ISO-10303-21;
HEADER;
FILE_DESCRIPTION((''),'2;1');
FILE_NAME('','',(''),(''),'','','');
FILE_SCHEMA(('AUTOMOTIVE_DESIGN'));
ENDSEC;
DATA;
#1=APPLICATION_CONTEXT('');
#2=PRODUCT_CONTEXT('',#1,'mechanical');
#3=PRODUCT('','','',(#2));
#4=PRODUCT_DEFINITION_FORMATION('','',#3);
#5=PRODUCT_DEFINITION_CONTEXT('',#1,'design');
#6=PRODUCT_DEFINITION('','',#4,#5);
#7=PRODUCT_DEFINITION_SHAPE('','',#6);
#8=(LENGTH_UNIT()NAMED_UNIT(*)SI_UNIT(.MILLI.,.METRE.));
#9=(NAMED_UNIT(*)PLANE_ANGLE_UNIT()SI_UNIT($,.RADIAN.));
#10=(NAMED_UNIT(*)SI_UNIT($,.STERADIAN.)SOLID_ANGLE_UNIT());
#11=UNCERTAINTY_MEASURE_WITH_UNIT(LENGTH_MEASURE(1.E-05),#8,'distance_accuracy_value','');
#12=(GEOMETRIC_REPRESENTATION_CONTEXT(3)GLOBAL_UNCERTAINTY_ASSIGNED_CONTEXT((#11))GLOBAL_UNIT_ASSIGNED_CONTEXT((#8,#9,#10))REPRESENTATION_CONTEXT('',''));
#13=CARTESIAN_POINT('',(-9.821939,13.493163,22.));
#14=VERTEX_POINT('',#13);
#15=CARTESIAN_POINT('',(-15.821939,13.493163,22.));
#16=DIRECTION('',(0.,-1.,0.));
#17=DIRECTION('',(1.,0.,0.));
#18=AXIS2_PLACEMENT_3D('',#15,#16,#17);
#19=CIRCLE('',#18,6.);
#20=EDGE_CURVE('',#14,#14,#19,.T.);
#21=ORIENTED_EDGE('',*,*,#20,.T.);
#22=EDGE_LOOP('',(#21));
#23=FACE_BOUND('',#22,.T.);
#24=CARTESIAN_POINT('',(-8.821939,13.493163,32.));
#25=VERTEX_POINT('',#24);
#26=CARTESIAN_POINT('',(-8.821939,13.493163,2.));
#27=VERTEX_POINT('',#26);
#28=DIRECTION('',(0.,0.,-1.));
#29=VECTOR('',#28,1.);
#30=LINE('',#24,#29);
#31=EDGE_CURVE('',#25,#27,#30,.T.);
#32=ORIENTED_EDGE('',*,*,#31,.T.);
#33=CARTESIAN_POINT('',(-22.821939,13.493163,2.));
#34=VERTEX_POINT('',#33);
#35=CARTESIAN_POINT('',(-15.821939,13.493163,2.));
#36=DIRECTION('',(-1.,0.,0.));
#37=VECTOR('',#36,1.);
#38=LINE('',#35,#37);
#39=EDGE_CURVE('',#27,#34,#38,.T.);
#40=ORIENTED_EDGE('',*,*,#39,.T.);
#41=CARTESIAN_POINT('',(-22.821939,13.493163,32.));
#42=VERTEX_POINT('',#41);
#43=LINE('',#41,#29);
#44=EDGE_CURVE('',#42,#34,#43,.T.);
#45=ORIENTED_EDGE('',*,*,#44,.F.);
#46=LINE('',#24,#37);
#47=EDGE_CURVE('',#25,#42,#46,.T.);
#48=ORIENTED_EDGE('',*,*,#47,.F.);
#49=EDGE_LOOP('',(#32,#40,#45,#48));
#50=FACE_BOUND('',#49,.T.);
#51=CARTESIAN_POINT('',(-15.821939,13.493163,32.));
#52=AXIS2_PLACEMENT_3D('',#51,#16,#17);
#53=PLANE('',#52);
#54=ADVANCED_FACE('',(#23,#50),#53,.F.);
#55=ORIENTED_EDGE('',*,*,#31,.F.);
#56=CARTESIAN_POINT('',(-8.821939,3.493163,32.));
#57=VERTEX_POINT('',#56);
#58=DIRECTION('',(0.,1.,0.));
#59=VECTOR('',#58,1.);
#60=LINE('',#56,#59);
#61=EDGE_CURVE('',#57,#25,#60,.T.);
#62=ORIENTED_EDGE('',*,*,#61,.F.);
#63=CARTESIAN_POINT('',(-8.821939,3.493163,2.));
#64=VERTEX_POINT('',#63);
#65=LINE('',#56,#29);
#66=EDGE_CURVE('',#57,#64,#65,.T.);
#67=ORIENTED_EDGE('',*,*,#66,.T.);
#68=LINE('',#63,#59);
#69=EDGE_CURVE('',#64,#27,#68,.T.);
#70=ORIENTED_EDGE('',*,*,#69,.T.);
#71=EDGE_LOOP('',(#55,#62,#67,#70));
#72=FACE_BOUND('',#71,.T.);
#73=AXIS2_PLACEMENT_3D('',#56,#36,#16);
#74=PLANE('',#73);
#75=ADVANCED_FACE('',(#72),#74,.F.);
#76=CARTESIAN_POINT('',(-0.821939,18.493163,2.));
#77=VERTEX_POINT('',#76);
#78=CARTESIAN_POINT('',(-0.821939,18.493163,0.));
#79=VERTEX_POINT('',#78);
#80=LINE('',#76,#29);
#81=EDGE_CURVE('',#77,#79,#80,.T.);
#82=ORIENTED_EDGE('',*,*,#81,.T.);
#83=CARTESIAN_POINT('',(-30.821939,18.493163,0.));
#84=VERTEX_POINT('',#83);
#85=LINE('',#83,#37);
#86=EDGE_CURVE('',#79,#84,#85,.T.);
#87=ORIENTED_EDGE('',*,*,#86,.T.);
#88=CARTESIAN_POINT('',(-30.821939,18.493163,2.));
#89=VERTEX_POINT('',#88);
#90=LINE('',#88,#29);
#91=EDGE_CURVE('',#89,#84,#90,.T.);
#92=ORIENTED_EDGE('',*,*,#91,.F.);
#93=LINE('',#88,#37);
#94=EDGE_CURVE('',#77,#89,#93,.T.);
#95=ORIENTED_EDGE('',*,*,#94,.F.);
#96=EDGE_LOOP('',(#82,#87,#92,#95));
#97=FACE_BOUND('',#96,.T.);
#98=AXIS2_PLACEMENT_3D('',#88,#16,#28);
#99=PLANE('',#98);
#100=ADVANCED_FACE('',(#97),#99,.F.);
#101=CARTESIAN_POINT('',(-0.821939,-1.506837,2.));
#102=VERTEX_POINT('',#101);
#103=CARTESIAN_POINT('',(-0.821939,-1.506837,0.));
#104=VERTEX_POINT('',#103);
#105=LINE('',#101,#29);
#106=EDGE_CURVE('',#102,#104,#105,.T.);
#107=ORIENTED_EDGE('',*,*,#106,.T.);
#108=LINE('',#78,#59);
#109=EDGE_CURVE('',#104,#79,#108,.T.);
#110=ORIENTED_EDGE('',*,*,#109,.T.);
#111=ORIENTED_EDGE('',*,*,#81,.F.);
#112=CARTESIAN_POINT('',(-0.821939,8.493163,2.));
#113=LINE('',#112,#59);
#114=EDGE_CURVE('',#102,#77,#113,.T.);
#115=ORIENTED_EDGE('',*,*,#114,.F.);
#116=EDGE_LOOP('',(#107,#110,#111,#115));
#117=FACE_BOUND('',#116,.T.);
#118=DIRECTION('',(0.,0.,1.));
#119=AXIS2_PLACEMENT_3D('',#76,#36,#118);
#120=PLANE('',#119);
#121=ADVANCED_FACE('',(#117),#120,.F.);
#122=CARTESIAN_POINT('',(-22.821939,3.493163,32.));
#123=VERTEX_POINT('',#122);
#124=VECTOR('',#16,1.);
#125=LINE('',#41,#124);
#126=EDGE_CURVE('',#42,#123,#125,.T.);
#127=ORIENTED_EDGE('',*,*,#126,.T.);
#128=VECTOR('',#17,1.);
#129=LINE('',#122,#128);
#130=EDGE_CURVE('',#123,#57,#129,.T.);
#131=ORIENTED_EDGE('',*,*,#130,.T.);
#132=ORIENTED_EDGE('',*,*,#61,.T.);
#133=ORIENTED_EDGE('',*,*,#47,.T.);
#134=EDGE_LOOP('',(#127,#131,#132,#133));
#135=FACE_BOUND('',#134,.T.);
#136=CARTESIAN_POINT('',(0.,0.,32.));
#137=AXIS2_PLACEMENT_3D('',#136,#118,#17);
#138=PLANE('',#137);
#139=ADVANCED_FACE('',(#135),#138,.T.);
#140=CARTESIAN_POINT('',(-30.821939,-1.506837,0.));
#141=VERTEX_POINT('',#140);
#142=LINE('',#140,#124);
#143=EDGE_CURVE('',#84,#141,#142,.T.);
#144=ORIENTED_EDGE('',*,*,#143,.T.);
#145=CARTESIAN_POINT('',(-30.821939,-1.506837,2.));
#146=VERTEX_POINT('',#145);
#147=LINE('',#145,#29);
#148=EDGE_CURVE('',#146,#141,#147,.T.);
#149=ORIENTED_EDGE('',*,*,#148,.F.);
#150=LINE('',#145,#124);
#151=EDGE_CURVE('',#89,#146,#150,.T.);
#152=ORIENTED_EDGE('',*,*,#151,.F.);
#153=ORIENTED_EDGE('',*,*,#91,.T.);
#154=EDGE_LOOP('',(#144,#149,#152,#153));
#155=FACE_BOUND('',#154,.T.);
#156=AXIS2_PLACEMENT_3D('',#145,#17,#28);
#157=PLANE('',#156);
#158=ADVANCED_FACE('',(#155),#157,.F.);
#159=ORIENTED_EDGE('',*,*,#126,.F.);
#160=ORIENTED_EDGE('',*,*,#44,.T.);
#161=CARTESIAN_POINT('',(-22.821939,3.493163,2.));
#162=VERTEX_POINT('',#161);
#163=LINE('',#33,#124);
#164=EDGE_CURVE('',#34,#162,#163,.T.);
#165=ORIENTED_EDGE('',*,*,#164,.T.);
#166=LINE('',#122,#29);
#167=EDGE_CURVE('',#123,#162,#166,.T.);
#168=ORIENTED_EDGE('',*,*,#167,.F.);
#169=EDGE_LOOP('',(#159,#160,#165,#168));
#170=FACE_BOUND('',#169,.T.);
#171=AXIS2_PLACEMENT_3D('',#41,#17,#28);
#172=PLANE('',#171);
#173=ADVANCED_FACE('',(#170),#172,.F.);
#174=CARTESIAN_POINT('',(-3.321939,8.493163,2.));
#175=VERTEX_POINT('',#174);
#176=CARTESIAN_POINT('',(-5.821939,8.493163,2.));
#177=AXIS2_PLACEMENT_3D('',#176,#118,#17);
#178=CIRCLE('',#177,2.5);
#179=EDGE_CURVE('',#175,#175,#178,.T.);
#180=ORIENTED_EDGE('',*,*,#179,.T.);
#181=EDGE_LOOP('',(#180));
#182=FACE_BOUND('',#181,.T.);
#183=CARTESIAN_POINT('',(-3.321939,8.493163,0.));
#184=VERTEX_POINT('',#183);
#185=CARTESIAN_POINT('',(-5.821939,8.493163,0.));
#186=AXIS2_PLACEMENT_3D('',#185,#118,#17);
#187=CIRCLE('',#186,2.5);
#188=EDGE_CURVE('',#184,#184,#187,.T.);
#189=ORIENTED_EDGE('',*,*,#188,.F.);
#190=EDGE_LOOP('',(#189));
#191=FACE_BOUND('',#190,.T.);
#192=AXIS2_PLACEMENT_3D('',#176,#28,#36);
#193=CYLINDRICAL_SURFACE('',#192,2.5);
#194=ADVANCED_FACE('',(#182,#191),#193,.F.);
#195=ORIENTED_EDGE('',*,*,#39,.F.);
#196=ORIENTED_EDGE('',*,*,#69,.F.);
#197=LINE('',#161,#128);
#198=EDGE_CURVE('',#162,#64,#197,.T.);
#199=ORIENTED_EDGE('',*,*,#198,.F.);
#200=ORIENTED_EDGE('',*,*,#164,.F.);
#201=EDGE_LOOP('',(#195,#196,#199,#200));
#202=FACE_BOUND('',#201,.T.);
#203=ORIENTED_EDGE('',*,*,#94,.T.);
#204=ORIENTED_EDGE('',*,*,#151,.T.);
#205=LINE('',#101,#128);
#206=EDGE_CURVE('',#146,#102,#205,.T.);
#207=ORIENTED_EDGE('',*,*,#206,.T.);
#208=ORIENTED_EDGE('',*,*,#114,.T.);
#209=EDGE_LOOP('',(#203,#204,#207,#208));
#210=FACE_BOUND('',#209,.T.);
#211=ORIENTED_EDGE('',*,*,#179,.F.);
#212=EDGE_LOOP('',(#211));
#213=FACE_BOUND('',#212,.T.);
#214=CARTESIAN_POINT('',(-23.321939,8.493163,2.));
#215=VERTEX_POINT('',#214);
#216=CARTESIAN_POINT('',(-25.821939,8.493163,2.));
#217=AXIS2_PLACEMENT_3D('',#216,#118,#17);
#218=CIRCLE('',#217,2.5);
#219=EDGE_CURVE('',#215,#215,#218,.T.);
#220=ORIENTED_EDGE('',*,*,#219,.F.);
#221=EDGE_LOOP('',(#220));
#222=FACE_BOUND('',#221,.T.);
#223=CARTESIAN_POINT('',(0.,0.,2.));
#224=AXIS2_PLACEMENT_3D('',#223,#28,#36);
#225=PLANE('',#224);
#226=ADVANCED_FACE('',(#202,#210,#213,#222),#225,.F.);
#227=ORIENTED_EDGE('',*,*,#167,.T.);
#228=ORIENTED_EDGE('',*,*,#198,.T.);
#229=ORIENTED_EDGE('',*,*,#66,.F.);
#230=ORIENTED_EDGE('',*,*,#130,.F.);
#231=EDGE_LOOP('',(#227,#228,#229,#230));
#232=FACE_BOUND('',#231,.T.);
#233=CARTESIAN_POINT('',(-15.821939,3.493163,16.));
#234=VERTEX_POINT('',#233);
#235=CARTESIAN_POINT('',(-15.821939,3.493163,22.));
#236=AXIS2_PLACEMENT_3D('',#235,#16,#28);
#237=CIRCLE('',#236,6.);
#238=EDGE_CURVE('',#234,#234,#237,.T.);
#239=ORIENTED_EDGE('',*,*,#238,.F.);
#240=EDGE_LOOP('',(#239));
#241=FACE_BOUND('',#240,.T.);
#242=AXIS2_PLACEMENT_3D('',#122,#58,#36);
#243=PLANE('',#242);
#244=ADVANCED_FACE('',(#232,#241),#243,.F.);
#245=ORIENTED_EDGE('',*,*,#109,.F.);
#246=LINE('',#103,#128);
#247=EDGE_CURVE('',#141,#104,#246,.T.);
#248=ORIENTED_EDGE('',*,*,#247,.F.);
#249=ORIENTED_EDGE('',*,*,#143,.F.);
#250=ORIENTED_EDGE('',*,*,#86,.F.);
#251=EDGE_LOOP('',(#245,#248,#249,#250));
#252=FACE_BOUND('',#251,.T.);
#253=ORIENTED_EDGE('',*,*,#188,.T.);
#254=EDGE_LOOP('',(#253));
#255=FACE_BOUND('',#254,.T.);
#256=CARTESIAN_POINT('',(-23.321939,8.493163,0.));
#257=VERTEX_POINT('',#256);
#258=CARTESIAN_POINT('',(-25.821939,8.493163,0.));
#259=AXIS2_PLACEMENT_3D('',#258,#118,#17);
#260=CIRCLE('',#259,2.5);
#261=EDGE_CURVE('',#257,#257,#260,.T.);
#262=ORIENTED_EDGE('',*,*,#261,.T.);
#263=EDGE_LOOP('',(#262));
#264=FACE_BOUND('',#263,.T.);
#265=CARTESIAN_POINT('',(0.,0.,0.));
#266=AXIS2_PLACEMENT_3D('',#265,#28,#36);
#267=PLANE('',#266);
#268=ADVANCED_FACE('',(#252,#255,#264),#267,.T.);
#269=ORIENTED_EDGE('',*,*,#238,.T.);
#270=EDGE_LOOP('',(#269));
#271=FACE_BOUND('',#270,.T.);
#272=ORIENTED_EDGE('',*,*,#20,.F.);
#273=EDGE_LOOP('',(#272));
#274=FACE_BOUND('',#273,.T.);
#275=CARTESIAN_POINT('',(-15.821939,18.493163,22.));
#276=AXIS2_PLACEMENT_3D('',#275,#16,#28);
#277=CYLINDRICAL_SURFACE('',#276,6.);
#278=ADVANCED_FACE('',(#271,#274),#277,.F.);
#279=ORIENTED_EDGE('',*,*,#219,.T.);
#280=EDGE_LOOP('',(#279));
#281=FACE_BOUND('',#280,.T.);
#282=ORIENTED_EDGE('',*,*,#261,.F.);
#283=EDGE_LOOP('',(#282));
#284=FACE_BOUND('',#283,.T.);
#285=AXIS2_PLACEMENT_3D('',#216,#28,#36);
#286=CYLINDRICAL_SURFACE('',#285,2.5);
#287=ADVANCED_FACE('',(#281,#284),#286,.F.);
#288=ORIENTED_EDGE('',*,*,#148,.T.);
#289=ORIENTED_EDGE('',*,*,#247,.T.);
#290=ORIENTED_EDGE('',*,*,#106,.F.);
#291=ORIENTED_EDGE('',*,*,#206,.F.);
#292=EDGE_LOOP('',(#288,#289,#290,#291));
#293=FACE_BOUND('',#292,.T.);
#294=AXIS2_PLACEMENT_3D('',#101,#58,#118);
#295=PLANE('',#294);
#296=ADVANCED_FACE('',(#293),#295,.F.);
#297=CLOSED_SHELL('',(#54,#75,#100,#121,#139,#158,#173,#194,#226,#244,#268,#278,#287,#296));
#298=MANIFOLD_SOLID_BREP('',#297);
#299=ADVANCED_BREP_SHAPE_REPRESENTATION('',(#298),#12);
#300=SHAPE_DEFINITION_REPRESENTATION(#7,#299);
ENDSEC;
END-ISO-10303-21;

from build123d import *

# Parameters (mm, degrees)
SKETCH_1_R          = 2.5
EXTRUDE_1_DEPTH     = 2
EXTRUDE_2_DEPTH     = 30
SKETCH_4_R          = 6
CUT_EXTRUDE_1_DEPTH = 15


with BuildPart() as part:
    # 草图1 → 凸台-拉伸1 (new body)
    with BuildSketch(Plane.XY):
        Polygon((-30.821938658, 18.493163195), (-0.821938658, 18.493163195), (-0.821938658, 8.493163195), (-0.821938658, -1.506836805), (-30.821938658, -1.506836805), align=None)
        with Locations((-25.821938658, 8.493163195)):
            Circle(SKETCH_1_R, mode=Mode.SUBTRACT)
        with Locations((-5.821938658, 8.493163195)):
            Circle(SKETCH_1_R, mode=Mode.SUBTRACT)
    extrude(amount=EXTRUDE_1_DEPTH)

    # 草图2 → 凸台-拉伸2 (add)
    with BuildSketch(Plane.XY.offset(2)):
        Polygon((-22.821938658, 3.493163195), (-8.821938658, 3.493163195), (-8.821938658, 13.493163195), (-15.821938658, 13.493163195), (-22.821938658, 13.493163195), align=None)
    extrude(amount=EXTRUDE_2_DEPTH)

    # 草图4 → 切除-拉伸1 (cut)
    with BuildSketch(Plane.XZ.offset(-3.493163195)):
        with Locations((-15.821938658, 22)):
            Circle(SKETCH_4_R)
    extrude(amount=-CUT_EXTRUDE_1_DEPTH, mode=Mode.SUBTRACT)


solid = part.part
